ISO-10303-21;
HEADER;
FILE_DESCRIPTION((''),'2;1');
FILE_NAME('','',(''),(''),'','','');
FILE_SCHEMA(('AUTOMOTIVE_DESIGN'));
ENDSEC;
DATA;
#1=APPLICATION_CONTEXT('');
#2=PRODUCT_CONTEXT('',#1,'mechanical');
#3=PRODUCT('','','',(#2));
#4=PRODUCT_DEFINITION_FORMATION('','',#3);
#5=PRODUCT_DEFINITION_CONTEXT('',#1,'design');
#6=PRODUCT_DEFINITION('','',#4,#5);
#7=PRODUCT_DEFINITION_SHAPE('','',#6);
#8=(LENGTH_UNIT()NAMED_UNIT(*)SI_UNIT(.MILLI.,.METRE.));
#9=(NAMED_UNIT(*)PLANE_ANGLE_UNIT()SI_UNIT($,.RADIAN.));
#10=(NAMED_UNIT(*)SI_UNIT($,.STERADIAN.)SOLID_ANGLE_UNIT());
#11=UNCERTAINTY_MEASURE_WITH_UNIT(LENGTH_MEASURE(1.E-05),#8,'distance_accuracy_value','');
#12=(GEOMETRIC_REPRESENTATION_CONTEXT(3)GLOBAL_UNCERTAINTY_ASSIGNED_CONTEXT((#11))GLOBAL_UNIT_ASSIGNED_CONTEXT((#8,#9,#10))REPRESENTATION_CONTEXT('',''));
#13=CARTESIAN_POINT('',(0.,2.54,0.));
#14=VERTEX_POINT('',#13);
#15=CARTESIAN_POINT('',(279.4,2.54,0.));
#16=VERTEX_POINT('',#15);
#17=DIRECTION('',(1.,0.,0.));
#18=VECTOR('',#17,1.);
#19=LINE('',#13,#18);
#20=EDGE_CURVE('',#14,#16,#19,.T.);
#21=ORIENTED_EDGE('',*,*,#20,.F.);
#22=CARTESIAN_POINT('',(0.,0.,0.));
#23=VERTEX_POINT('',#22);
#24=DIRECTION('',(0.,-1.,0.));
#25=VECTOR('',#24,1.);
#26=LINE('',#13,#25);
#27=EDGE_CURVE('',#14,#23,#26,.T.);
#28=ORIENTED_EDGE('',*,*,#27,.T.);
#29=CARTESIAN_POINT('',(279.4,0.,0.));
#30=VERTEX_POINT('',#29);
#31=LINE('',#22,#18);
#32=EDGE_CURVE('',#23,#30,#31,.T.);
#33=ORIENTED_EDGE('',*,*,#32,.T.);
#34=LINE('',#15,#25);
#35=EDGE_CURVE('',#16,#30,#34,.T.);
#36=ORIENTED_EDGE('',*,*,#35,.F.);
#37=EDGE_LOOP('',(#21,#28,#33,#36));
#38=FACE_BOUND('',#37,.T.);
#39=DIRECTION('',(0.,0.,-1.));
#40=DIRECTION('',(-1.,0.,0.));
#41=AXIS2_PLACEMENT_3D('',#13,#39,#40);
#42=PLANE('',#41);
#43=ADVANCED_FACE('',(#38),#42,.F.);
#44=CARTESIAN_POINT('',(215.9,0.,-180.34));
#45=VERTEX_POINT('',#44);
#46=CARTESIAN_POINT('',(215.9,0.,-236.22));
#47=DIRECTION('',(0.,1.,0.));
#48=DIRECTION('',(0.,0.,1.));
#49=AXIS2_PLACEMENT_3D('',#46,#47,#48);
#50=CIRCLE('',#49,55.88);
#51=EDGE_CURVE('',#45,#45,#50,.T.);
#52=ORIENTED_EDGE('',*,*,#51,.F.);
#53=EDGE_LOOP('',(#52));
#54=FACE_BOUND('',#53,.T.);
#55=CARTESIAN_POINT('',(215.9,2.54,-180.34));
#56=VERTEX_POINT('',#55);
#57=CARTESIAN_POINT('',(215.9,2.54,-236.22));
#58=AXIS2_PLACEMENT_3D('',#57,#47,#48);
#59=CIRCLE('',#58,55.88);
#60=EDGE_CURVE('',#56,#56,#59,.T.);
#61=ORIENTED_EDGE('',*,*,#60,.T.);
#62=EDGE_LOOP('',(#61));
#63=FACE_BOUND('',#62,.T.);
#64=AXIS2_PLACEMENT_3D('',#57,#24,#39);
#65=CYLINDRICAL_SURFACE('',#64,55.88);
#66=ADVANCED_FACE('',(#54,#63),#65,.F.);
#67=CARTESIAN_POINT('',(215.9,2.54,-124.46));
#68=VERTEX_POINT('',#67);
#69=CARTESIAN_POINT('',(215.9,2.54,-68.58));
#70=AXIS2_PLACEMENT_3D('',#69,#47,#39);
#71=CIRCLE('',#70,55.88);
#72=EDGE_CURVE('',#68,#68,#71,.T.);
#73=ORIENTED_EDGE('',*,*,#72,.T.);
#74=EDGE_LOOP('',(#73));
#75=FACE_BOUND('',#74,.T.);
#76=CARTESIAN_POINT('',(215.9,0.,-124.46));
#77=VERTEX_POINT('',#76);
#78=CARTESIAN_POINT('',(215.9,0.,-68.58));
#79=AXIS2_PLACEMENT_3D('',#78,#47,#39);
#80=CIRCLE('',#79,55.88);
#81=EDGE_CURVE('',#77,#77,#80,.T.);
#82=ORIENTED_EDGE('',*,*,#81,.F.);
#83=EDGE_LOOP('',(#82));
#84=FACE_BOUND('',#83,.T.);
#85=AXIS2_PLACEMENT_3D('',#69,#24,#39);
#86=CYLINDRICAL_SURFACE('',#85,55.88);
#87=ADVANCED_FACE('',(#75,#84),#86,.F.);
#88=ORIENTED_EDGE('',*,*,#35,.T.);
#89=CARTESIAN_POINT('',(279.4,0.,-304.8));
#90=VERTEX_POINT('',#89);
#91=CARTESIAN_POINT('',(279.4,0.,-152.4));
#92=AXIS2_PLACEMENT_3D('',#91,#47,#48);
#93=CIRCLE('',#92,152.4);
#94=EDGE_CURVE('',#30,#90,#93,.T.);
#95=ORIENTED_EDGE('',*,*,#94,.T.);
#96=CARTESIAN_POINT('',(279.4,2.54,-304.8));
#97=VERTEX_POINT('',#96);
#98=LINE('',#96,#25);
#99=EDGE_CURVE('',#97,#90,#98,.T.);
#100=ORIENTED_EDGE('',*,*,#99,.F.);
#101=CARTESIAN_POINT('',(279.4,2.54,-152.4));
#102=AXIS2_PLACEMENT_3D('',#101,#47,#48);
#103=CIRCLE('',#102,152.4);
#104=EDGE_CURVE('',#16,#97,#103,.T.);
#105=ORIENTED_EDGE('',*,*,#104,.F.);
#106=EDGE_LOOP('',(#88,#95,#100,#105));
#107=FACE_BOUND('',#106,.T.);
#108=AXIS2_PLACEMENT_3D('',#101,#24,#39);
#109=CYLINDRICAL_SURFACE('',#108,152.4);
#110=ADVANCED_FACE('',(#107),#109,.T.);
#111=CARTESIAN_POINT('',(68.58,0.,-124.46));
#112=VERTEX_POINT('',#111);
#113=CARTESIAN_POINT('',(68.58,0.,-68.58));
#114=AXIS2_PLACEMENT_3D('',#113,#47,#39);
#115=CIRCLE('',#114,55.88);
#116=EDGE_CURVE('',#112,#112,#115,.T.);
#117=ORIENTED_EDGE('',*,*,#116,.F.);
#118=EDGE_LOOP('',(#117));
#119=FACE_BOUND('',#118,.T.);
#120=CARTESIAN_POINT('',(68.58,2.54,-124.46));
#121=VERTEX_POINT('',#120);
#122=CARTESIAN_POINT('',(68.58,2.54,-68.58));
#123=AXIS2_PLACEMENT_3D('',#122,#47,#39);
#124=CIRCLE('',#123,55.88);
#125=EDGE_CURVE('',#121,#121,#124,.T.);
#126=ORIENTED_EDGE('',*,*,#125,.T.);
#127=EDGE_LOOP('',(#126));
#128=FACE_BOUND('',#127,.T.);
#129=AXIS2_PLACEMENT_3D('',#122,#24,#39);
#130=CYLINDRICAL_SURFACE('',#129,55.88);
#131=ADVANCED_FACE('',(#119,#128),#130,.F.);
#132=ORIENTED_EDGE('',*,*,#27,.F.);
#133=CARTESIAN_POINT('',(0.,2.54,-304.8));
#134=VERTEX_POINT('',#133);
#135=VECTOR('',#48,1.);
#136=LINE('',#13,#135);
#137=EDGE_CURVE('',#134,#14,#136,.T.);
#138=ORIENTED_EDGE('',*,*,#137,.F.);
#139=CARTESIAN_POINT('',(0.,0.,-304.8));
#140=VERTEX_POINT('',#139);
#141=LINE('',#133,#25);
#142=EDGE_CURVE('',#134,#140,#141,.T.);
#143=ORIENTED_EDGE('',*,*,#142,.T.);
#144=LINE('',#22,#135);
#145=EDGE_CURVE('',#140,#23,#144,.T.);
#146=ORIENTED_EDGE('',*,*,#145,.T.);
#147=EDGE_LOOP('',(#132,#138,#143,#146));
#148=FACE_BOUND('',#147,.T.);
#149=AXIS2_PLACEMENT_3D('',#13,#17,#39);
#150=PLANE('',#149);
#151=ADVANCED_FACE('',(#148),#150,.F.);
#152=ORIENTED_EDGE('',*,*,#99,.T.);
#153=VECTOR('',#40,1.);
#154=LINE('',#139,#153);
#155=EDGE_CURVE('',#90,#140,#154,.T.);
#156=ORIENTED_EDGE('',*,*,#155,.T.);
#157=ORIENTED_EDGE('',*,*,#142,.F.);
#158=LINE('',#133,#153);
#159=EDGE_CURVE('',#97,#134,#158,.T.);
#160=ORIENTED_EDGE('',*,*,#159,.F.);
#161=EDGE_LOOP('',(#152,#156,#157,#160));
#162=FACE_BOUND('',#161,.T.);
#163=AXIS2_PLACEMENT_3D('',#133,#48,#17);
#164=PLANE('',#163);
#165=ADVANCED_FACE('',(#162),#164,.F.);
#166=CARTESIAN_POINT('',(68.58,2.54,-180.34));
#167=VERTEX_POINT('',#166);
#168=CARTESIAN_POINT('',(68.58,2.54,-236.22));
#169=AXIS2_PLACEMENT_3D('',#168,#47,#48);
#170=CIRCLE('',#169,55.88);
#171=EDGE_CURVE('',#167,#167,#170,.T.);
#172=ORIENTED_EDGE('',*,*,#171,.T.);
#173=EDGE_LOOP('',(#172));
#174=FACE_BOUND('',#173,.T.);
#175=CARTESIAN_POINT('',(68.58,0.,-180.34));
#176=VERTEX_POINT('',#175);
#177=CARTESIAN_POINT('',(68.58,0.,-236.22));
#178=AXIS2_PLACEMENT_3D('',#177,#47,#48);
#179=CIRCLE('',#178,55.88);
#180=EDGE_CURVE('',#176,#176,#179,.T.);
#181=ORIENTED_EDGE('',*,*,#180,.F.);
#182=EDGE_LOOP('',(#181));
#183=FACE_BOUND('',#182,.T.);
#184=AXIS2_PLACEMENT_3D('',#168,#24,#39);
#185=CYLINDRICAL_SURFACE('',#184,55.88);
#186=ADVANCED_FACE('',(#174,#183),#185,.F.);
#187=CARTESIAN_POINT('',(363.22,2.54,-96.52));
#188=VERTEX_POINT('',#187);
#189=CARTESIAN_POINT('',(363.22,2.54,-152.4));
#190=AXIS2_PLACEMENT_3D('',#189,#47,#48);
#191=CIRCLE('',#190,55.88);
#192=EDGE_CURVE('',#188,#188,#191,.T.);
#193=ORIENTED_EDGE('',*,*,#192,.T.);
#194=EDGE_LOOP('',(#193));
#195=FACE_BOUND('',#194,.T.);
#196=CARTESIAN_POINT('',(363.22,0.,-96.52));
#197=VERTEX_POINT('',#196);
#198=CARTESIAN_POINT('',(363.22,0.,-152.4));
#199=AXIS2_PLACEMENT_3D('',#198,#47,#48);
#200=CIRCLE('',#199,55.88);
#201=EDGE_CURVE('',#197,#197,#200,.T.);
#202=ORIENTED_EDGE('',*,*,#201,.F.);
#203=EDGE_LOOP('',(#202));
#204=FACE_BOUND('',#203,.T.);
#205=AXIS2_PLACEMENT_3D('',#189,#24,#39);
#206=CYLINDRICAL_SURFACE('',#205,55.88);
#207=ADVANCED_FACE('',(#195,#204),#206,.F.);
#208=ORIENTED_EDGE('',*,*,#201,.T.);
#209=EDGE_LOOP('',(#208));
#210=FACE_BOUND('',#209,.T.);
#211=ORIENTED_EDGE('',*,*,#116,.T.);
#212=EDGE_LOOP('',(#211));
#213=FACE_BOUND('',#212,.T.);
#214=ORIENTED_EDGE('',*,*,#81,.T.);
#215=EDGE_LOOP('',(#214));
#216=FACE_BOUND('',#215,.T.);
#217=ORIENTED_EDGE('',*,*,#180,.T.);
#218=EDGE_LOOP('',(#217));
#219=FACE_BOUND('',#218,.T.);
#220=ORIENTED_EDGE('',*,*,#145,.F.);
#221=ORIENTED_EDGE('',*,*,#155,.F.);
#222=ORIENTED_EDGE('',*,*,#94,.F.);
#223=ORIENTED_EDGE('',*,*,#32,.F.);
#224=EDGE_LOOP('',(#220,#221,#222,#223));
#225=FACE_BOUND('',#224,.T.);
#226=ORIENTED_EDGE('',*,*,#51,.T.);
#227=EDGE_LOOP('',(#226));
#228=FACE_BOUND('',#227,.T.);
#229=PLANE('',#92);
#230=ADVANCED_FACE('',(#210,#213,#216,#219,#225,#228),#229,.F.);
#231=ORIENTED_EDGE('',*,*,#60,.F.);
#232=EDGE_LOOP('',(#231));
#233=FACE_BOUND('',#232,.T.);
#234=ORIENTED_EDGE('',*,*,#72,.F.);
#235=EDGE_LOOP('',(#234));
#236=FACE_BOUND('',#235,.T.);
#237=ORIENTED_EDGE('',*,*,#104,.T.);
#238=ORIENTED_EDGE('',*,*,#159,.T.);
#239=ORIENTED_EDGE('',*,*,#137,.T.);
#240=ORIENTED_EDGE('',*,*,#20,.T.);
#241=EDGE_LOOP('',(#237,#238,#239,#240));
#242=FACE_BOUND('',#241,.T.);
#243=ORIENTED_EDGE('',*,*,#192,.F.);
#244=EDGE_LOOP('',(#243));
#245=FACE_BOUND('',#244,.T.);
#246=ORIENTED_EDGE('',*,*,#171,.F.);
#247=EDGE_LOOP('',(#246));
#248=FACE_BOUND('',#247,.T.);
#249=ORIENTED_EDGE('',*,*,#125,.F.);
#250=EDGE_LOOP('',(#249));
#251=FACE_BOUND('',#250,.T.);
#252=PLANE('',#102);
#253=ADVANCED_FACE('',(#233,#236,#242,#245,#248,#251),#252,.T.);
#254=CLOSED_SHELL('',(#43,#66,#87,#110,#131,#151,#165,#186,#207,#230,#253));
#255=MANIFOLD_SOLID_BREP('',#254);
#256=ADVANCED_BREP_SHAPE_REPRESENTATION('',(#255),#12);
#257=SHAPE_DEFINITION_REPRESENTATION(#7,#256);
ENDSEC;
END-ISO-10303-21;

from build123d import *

# Parameters (mm, degrees)
SKETCH1_R           = 55.88
BOSS_EXTRUDE1_DEPTH = 2.54


with BuildPart() as part:
    # Sketch1 → Boss-Extrude1 (new body)
    with BuildSketch(Plane(origin=(0, 0, 0), x_dir=(1, 0, 0), z_dir=(0, 1, 0))):
        with BuildLine():
            Line((0, 0), (279.4, 0))
            ThreePointArc((279.4, 0), (431.8, 152.4), (279.4, 304.8))
            Line((279.4, 304.8), (0, 304.8))
            Line((0, 304.8), (0, 0))
        make_face()
        with Locations(Location((68.58, 236.22, 0), (0, 0, 270))):
            Circle(SKETCH1_R, mode=Mode.SUBTRACT)
        with Locations(Location((215.9, 236.22, 0), (0, 0, 270))):
            Circle(SKETCH1_R, mode=Mode.SUBTRACT)
        with Locations(Location((363.22, 152.4, 0), (0, 0, 270))):
            Circle(SKETCH1_R, mode=Mode.SUBTRACT)
        with Locations(Location((68.58, 68.58, 0), (0, 0, 90))):
            Circle(SKETCH1_R, mode=Mode.SUBTRACT)
        with Locations(Location((215.9, 68.58, 0), (0, 0, 90))):
            Circle(SKETCH1_R, mode=Mode.SUBTRACT)
    extrude(amount=BOSS_EXTRUDE1_DEPTH)


solid = part.part
